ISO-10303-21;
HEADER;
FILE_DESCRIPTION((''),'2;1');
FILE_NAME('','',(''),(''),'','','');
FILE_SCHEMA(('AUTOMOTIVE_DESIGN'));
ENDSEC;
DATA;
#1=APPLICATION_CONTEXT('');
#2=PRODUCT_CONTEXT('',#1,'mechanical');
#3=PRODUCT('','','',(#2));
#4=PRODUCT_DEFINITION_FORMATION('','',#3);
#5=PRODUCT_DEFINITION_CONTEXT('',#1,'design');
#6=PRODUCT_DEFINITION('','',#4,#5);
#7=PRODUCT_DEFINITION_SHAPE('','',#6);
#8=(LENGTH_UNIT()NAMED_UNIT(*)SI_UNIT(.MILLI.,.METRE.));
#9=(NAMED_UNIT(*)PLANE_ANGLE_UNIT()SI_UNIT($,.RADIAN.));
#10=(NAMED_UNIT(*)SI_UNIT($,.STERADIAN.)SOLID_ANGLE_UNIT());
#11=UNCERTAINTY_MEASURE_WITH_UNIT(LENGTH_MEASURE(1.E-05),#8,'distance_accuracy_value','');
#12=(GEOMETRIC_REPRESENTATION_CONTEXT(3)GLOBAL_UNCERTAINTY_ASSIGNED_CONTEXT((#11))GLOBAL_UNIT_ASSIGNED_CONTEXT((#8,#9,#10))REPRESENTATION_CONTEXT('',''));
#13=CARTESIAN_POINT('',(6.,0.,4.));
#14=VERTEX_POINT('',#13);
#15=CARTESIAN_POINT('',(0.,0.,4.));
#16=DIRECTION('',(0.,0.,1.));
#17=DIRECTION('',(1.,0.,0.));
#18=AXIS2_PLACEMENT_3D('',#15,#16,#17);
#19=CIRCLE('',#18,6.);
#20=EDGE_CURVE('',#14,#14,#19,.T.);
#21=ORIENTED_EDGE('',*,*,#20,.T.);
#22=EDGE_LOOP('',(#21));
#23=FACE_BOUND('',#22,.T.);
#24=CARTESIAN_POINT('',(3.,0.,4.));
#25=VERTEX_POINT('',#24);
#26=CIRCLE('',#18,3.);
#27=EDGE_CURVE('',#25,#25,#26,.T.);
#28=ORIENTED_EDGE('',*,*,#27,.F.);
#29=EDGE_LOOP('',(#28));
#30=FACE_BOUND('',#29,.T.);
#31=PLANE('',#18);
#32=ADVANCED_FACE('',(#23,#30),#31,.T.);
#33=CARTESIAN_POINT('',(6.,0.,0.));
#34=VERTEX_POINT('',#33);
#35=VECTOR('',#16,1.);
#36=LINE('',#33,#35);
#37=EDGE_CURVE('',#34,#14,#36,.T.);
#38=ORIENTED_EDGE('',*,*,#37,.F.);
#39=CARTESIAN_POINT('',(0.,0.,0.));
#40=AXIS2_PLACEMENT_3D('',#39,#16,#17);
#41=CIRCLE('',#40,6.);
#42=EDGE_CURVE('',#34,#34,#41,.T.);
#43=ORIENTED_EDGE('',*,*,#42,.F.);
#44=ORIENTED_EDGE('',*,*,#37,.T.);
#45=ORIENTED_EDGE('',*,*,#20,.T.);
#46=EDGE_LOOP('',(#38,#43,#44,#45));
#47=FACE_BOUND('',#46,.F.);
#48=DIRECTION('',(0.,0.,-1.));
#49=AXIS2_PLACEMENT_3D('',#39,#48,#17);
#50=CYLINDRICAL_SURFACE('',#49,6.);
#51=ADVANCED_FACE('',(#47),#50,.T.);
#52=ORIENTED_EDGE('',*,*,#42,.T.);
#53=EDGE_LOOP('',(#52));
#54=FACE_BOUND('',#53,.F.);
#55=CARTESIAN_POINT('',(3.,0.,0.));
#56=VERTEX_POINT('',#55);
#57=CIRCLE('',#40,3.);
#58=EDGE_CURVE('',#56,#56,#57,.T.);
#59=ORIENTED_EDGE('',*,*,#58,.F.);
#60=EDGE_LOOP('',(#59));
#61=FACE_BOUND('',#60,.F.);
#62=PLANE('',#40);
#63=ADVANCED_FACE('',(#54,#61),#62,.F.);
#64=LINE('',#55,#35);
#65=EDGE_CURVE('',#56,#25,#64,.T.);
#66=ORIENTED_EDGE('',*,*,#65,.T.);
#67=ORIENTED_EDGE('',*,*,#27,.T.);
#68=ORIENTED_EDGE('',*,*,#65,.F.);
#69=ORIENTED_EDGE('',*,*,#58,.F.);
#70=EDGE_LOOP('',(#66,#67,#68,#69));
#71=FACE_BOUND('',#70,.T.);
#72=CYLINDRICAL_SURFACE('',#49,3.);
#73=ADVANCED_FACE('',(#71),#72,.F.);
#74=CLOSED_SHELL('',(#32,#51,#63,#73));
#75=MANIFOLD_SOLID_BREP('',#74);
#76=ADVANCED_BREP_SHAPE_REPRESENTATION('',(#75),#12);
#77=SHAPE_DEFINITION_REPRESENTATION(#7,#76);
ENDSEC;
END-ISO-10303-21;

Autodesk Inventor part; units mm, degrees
ref_plane "YZ Plane" through (0, 0, 0) normal (1, 0, 0) x (0, 1, 0)
ref_plane "XZ Plane" through (0, 0, 0) normal (0, 1, 0) x (-1, 0, 0)
ref_plane "XY Plane" through (0, 0, 0) normal (0, 0, 1) x (1, 0, 0)
sketch "Sketch1" plane through (0, 0, 0) normal (0, 0, 1) x (1, 0, 0)
  circle A0 centre (0, 0) radius 6
  circle A1 centre (0, 0) radius 3
  dimension "d0" = 12
  dimension "d1" = 6
extrude "Extrusion1" add sketch "Sketch1" along normal blind 4
properties part number "12mm_OD_BEARING" material "Steel, A2, HT 56-58 Rc"
